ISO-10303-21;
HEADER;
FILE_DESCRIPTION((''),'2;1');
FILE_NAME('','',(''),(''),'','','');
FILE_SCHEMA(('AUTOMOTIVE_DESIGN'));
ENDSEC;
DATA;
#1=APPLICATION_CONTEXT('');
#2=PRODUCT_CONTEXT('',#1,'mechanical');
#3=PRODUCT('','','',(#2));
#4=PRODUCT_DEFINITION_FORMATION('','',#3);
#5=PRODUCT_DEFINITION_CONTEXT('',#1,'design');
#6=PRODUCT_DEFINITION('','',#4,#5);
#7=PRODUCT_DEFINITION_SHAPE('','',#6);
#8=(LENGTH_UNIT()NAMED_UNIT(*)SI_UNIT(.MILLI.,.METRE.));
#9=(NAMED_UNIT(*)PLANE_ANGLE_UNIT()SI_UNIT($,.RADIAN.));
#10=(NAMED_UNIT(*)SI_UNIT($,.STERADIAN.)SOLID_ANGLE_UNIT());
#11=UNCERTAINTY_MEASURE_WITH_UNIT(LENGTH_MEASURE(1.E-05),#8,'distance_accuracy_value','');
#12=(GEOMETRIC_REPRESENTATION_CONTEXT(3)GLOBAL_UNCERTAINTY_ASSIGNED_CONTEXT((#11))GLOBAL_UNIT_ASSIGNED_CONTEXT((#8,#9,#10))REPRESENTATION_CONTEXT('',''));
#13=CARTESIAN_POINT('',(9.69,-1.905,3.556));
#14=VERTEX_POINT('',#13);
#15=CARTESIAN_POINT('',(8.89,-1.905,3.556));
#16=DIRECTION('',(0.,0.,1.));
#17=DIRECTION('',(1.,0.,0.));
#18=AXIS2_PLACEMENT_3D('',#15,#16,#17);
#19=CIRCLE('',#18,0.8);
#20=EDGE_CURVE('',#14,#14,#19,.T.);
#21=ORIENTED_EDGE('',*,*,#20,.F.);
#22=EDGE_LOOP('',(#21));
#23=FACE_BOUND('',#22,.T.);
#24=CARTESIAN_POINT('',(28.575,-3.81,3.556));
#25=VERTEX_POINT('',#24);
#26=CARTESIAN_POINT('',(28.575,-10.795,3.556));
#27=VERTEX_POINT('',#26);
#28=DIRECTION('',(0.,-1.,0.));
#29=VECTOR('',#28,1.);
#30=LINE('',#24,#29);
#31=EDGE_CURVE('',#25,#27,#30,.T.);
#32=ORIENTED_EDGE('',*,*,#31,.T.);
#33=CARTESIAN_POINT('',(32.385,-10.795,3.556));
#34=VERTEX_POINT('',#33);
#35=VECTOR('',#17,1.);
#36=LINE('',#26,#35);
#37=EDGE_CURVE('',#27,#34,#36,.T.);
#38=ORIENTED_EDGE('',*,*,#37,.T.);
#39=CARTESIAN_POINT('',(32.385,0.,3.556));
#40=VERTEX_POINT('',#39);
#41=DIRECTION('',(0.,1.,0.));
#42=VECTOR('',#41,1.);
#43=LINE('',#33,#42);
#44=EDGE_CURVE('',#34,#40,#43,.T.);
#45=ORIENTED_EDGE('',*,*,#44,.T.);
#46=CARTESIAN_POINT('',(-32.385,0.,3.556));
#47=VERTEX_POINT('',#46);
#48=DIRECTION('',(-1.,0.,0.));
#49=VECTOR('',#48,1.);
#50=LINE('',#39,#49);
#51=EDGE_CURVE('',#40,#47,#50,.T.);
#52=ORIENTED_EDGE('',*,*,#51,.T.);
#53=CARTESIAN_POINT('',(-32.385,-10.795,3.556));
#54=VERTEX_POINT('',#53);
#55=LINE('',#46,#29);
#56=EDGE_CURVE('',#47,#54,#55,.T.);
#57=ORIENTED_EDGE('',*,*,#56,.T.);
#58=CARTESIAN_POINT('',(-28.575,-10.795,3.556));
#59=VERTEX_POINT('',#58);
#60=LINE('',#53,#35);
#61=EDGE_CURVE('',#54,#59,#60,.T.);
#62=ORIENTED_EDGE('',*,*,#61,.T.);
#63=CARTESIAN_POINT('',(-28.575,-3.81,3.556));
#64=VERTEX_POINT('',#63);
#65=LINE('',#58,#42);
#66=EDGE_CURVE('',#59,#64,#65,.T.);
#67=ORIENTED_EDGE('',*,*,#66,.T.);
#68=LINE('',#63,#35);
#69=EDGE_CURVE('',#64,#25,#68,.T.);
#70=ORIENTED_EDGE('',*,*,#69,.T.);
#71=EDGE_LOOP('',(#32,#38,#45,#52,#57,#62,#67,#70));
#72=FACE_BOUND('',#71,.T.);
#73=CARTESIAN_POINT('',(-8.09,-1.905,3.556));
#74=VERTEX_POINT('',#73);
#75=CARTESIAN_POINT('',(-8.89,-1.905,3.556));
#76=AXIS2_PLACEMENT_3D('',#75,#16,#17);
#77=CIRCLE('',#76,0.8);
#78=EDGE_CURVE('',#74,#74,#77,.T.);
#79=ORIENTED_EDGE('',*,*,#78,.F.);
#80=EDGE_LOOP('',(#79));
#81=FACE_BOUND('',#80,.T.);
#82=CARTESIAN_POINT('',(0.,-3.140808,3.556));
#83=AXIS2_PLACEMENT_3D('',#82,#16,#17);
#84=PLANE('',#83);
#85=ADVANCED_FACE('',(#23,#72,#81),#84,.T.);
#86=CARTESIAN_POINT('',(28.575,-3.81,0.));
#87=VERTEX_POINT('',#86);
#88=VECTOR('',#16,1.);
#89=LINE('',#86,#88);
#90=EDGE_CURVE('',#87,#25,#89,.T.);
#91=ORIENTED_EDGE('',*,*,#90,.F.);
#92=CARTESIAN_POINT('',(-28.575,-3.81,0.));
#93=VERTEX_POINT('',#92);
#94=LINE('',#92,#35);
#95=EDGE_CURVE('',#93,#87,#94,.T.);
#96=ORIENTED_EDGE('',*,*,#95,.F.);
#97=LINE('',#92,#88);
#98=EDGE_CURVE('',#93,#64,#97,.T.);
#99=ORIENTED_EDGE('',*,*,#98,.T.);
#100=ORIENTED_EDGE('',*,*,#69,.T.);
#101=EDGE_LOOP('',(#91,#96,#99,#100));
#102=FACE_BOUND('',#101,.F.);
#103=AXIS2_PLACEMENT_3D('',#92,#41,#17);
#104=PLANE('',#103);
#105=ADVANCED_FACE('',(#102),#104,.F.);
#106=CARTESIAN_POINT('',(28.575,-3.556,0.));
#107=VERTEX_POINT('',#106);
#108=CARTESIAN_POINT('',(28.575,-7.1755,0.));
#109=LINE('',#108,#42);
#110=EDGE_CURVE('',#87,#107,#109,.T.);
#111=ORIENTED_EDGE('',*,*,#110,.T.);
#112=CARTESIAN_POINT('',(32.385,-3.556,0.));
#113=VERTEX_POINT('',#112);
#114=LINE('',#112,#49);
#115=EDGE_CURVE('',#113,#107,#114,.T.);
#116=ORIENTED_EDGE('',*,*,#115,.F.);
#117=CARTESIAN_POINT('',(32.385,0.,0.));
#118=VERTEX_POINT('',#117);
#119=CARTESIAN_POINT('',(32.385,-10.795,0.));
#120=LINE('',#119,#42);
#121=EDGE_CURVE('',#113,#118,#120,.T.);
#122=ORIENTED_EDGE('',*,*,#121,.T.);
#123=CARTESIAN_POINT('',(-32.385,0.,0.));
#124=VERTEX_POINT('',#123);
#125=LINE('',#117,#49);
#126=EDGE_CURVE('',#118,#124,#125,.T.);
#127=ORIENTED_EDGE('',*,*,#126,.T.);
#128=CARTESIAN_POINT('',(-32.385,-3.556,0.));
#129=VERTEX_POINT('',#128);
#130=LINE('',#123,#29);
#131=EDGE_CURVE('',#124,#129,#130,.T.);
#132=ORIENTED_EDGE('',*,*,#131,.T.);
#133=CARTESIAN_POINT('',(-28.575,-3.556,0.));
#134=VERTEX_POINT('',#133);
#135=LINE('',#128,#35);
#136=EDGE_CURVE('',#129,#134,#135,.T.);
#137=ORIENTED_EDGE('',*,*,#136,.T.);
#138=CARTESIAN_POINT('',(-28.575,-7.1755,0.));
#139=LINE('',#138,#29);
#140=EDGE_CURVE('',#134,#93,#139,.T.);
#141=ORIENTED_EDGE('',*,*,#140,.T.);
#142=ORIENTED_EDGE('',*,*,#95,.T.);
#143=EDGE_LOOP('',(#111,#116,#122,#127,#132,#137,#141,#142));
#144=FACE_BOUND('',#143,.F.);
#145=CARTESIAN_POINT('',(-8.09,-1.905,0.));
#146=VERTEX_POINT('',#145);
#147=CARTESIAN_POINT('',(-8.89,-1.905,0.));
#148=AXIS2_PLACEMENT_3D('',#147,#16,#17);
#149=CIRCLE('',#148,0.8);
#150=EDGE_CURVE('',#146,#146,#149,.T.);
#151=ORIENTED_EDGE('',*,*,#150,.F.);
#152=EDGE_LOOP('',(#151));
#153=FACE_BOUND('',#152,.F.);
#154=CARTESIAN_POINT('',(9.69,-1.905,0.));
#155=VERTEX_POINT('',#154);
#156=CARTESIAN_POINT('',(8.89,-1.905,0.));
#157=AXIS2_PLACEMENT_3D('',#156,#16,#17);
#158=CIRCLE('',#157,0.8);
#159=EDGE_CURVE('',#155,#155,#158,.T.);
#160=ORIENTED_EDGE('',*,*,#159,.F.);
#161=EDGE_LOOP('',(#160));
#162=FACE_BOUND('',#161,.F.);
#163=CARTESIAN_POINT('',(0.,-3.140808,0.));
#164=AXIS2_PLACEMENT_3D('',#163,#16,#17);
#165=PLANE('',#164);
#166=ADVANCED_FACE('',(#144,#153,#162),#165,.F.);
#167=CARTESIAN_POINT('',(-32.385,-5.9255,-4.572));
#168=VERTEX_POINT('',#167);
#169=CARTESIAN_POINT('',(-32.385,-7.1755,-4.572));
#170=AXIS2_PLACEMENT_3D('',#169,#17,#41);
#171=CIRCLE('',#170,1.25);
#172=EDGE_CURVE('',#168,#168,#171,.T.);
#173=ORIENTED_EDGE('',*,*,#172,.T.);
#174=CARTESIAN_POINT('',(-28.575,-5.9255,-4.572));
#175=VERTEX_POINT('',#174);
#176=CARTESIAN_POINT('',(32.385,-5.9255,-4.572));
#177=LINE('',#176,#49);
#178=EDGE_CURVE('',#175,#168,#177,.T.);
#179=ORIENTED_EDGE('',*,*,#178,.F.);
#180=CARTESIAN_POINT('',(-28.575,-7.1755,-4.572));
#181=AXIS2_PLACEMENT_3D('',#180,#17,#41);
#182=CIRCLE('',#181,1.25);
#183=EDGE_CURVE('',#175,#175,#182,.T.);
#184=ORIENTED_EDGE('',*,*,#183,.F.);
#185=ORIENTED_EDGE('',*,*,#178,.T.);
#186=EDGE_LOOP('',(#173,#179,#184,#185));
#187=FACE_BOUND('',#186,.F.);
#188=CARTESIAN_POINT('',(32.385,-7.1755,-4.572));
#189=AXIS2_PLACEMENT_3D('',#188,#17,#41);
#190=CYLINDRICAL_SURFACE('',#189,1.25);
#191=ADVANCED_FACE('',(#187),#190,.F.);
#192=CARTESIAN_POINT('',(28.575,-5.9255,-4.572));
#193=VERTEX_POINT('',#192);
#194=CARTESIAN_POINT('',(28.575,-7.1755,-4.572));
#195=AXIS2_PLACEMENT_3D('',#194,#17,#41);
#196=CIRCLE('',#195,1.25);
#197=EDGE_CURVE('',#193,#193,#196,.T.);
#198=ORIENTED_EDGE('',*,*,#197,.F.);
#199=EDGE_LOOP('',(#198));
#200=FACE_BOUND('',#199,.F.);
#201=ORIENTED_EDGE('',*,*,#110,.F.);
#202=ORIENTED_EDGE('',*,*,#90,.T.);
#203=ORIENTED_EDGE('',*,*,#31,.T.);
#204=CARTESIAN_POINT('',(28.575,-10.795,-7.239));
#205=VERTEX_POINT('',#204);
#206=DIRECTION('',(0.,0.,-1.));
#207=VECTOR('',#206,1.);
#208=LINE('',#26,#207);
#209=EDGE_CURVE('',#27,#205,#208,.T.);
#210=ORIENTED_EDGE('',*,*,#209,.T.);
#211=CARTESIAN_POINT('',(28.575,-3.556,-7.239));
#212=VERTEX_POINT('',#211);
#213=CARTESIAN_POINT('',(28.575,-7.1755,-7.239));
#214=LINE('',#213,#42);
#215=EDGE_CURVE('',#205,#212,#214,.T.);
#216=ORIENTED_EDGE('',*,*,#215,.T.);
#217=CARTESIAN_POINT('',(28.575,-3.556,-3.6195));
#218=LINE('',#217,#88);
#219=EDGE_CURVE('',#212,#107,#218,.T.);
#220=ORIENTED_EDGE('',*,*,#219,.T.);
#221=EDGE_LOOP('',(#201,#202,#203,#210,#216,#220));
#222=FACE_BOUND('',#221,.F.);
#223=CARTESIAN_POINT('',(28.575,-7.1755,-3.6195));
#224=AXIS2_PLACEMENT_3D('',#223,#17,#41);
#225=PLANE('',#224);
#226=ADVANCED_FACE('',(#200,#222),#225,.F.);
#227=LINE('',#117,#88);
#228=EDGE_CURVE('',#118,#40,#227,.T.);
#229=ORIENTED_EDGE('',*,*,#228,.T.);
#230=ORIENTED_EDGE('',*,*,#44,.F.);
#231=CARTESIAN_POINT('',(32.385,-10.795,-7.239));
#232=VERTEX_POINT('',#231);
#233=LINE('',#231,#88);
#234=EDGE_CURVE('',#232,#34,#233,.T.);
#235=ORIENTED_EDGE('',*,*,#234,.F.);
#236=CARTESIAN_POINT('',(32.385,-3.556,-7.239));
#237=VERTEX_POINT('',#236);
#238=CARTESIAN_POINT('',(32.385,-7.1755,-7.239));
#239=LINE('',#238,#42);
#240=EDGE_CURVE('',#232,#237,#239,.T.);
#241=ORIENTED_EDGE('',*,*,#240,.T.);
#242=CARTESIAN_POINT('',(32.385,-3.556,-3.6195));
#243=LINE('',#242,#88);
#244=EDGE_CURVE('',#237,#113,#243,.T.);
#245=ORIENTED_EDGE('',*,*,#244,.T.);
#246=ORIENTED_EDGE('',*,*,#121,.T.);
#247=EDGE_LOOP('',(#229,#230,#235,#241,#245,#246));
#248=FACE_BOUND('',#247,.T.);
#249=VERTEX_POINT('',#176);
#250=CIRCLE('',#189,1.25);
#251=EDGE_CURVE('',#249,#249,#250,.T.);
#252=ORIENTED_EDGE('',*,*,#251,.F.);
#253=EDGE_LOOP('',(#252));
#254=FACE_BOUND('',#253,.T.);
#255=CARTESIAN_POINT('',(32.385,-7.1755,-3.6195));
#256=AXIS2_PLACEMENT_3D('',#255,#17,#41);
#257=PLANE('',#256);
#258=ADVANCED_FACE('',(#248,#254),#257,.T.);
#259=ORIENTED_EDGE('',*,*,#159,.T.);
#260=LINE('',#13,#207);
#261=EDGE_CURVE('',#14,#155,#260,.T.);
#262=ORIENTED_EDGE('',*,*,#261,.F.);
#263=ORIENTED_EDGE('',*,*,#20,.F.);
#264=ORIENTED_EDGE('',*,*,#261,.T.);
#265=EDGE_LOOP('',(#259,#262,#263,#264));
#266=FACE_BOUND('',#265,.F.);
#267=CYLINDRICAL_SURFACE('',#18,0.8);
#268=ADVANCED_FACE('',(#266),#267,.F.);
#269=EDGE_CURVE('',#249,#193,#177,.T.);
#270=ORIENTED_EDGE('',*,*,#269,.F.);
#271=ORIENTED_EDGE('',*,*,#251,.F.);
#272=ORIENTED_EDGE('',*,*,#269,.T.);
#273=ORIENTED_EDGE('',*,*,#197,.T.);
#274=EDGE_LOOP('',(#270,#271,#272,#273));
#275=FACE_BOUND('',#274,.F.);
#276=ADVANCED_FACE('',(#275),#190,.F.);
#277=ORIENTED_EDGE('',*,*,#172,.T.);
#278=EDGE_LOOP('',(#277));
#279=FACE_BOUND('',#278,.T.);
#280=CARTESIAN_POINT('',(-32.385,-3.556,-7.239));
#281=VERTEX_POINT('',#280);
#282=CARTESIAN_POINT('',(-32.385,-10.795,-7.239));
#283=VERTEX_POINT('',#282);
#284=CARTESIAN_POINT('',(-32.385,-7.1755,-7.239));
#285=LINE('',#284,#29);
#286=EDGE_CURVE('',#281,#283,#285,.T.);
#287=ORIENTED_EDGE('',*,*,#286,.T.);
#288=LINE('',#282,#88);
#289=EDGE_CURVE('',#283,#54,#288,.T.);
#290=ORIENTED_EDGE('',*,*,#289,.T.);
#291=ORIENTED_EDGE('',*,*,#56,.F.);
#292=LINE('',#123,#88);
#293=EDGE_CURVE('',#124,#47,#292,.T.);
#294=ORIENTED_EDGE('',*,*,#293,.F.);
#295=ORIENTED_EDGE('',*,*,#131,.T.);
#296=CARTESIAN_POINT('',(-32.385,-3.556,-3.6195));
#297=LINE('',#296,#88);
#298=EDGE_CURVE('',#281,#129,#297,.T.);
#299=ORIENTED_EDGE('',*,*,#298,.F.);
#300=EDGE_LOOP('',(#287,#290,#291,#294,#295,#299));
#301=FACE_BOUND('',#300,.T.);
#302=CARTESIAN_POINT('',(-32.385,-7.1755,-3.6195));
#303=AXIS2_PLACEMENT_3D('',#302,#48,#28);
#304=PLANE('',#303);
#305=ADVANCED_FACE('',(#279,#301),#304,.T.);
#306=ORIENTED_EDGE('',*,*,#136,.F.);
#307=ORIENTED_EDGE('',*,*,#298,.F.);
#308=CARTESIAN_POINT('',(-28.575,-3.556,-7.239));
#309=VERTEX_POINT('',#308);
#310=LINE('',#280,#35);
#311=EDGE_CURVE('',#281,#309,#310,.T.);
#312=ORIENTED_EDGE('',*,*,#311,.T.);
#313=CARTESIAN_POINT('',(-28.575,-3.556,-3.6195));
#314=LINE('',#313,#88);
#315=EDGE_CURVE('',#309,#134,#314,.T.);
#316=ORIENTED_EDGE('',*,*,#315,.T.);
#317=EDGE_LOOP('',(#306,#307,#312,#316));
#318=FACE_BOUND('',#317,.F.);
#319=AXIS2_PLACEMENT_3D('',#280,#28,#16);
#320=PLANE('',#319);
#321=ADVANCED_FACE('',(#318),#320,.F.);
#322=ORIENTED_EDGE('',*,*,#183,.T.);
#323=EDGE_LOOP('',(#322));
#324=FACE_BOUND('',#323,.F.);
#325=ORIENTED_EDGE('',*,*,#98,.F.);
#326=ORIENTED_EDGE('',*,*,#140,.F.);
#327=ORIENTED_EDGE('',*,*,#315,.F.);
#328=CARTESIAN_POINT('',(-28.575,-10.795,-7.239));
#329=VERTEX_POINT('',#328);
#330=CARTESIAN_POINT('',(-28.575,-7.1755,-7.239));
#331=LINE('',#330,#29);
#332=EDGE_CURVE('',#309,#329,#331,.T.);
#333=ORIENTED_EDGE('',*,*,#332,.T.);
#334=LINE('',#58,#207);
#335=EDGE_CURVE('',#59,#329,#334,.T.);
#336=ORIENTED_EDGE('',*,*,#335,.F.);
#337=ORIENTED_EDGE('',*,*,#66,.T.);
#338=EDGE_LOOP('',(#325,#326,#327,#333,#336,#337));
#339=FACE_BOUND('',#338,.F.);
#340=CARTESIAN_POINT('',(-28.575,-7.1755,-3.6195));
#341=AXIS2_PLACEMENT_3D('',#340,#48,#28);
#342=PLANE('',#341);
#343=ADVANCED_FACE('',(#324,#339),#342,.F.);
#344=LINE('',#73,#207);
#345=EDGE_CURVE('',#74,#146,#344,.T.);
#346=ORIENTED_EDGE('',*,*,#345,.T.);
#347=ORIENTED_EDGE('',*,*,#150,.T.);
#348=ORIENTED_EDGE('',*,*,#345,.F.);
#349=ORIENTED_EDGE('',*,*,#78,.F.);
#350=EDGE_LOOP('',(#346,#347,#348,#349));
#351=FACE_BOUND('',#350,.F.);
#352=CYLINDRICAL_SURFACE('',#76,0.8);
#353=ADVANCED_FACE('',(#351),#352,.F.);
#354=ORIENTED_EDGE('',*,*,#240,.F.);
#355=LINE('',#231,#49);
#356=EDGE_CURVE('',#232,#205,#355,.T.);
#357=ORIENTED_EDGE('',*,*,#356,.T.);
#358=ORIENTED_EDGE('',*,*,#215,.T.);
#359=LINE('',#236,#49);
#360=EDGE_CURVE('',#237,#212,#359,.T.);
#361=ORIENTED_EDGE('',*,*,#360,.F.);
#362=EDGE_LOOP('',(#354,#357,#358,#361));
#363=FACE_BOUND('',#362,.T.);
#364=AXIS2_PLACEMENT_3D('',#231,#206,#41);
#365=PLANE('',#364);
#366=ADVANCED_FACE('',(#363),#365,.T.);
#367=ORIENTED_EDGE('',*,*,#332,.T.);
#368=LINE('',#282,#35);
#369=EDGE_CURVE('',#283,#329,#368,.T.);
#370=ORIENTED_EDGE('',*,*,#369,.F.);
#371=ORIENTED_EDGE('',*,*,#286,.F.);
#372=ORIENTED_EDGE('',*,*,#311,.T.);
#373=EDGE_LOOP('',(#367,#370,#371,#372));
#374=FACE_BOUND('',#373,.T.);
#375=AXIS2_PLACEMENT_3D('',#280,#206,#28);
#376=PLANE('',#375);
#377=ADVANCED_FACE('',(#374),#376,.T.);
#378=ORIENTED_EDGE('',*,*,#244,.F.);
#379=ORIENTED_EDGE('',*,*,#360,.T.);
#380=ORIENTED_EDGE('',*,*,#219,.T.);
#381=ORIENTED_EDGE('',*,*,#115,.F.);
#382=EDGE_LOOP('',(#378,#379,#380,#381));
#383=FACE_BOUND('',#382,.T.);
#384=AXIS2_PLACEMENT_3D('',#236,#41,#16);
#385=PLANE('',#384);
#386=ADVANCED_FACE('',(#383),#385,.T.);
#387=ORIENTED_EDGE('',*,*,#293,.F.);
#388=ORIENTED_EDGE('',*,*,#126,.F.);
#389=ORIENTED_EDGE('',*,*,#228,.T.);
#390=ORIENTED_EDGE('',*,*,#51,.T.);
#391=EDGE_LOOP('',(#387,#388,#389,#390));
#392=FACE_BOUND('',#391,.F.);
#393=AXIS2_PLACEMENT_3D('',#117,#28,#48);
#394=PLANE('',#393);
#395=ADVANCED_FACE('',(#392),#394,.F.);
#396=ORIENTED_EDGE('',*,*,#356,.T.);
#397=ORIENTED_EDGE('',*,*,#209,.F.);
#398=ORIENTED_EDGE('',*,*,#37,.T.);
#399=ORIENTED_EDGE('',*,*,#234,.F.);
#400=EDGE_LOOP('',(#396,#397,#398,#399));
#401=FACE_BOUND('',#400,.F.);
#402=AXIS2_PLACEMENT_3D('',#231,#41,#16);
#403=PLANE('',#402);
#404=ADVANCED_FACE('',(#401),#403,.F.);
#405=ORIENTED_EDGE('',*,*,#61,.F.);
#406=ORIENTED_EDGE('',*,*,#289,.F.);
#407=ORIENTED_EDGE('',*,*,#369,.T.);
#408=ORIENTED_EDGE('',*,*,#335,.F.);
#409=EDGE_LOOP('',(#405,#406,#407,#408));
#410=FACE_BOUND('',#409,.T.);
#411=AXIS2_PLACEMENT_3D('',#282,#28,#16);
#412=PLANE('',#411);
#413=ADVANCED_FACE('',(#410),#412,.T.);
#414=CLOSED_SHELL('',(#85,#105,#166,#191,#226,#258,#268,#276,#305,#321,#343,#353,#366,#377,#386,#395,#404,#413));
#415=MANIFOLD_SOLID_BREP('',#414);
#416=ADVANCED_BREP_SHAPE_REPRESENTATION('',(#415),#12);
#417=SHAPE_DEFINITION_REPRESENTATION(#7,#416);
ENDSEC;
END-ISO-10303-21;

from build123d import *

# Parameters (mm, degrees)
PAD_DEPTH     = 3.556
SKETCH001_W   = 7.239
SKETCH001_H   = 7.239
PAD001_DEPTH  = 3.81
SKETCH002_W   = 7.239
SKETCH002_H   = 7.239
PAD002_DEPTH  = 3.81
SKETCH003_R   = 1.25
HOLE_DEPTH    = 64.771
SKETCH004_R   = 0.8
HOLE001_DEPTH = 24.892


with BuildPart() as part:
    # Sketch → Pad (new body)
    with BuildSketch(Plane.XY):
        Polygon((-32.385, 0), (-32.385, -10.795), (-28.575, -10.795), (-28.575, -3.81), (28.575, -3.81), (28.575, -10.795), (32.385, -10.795), (32.385, 0), align=None)
    extrude(amount=PAD_DEPTH)

    # Sketch001 (on Face1 of Pad) → Pad001 (join)
    with BuildSketch(Plane(origin=(-32.385, 0, 0), x_dir=(0, -1, 0), z_dir=(-1, 0, 0))):
        with Locations((7.1755, -3.6195)):
            Rectangle(SKETCH001_W, SKETCH001_H)
    extrude(amount=-PAD001_DEPTH)

    # Sketch002 (on Face4 of Pad001) → Pad002 (join)
    with BuildSketch(Plane.YZ.offset(32.385)):
        with Locations((-7.1755, -3.6195)):
            Rectangle(SKETCH002_W, SKETCH002_H)
    extrude(amount=-PAD002_DEPTH)

    # Sketch003 (on Face12 of Pad002) → Hole (cut, through all)
    with BuildSketch(Plane.YZ.offset(32.385)):
        with Locations((-7.1755, -4.572)):
            Circle(SKETCH003_R)
    extrude(amount=-HOLE_DEPTH, mode=Mode.SUBTRACT)

    # Sketch004 (on Face5 of Hole) → Hole001 (cut)
    with BuildSketch(Plane.XY.offset(3.556)):
        with Locations((-8.89, -1.905)):
            Circle(SKETCH004_R)
        with Locations((8.89, -1.905)):
            Circle(SKETCH004_R)
    extrude(amount=-HOLE001_DEPTH, mode=Mode.SUBTRACT)


solid = part.part
